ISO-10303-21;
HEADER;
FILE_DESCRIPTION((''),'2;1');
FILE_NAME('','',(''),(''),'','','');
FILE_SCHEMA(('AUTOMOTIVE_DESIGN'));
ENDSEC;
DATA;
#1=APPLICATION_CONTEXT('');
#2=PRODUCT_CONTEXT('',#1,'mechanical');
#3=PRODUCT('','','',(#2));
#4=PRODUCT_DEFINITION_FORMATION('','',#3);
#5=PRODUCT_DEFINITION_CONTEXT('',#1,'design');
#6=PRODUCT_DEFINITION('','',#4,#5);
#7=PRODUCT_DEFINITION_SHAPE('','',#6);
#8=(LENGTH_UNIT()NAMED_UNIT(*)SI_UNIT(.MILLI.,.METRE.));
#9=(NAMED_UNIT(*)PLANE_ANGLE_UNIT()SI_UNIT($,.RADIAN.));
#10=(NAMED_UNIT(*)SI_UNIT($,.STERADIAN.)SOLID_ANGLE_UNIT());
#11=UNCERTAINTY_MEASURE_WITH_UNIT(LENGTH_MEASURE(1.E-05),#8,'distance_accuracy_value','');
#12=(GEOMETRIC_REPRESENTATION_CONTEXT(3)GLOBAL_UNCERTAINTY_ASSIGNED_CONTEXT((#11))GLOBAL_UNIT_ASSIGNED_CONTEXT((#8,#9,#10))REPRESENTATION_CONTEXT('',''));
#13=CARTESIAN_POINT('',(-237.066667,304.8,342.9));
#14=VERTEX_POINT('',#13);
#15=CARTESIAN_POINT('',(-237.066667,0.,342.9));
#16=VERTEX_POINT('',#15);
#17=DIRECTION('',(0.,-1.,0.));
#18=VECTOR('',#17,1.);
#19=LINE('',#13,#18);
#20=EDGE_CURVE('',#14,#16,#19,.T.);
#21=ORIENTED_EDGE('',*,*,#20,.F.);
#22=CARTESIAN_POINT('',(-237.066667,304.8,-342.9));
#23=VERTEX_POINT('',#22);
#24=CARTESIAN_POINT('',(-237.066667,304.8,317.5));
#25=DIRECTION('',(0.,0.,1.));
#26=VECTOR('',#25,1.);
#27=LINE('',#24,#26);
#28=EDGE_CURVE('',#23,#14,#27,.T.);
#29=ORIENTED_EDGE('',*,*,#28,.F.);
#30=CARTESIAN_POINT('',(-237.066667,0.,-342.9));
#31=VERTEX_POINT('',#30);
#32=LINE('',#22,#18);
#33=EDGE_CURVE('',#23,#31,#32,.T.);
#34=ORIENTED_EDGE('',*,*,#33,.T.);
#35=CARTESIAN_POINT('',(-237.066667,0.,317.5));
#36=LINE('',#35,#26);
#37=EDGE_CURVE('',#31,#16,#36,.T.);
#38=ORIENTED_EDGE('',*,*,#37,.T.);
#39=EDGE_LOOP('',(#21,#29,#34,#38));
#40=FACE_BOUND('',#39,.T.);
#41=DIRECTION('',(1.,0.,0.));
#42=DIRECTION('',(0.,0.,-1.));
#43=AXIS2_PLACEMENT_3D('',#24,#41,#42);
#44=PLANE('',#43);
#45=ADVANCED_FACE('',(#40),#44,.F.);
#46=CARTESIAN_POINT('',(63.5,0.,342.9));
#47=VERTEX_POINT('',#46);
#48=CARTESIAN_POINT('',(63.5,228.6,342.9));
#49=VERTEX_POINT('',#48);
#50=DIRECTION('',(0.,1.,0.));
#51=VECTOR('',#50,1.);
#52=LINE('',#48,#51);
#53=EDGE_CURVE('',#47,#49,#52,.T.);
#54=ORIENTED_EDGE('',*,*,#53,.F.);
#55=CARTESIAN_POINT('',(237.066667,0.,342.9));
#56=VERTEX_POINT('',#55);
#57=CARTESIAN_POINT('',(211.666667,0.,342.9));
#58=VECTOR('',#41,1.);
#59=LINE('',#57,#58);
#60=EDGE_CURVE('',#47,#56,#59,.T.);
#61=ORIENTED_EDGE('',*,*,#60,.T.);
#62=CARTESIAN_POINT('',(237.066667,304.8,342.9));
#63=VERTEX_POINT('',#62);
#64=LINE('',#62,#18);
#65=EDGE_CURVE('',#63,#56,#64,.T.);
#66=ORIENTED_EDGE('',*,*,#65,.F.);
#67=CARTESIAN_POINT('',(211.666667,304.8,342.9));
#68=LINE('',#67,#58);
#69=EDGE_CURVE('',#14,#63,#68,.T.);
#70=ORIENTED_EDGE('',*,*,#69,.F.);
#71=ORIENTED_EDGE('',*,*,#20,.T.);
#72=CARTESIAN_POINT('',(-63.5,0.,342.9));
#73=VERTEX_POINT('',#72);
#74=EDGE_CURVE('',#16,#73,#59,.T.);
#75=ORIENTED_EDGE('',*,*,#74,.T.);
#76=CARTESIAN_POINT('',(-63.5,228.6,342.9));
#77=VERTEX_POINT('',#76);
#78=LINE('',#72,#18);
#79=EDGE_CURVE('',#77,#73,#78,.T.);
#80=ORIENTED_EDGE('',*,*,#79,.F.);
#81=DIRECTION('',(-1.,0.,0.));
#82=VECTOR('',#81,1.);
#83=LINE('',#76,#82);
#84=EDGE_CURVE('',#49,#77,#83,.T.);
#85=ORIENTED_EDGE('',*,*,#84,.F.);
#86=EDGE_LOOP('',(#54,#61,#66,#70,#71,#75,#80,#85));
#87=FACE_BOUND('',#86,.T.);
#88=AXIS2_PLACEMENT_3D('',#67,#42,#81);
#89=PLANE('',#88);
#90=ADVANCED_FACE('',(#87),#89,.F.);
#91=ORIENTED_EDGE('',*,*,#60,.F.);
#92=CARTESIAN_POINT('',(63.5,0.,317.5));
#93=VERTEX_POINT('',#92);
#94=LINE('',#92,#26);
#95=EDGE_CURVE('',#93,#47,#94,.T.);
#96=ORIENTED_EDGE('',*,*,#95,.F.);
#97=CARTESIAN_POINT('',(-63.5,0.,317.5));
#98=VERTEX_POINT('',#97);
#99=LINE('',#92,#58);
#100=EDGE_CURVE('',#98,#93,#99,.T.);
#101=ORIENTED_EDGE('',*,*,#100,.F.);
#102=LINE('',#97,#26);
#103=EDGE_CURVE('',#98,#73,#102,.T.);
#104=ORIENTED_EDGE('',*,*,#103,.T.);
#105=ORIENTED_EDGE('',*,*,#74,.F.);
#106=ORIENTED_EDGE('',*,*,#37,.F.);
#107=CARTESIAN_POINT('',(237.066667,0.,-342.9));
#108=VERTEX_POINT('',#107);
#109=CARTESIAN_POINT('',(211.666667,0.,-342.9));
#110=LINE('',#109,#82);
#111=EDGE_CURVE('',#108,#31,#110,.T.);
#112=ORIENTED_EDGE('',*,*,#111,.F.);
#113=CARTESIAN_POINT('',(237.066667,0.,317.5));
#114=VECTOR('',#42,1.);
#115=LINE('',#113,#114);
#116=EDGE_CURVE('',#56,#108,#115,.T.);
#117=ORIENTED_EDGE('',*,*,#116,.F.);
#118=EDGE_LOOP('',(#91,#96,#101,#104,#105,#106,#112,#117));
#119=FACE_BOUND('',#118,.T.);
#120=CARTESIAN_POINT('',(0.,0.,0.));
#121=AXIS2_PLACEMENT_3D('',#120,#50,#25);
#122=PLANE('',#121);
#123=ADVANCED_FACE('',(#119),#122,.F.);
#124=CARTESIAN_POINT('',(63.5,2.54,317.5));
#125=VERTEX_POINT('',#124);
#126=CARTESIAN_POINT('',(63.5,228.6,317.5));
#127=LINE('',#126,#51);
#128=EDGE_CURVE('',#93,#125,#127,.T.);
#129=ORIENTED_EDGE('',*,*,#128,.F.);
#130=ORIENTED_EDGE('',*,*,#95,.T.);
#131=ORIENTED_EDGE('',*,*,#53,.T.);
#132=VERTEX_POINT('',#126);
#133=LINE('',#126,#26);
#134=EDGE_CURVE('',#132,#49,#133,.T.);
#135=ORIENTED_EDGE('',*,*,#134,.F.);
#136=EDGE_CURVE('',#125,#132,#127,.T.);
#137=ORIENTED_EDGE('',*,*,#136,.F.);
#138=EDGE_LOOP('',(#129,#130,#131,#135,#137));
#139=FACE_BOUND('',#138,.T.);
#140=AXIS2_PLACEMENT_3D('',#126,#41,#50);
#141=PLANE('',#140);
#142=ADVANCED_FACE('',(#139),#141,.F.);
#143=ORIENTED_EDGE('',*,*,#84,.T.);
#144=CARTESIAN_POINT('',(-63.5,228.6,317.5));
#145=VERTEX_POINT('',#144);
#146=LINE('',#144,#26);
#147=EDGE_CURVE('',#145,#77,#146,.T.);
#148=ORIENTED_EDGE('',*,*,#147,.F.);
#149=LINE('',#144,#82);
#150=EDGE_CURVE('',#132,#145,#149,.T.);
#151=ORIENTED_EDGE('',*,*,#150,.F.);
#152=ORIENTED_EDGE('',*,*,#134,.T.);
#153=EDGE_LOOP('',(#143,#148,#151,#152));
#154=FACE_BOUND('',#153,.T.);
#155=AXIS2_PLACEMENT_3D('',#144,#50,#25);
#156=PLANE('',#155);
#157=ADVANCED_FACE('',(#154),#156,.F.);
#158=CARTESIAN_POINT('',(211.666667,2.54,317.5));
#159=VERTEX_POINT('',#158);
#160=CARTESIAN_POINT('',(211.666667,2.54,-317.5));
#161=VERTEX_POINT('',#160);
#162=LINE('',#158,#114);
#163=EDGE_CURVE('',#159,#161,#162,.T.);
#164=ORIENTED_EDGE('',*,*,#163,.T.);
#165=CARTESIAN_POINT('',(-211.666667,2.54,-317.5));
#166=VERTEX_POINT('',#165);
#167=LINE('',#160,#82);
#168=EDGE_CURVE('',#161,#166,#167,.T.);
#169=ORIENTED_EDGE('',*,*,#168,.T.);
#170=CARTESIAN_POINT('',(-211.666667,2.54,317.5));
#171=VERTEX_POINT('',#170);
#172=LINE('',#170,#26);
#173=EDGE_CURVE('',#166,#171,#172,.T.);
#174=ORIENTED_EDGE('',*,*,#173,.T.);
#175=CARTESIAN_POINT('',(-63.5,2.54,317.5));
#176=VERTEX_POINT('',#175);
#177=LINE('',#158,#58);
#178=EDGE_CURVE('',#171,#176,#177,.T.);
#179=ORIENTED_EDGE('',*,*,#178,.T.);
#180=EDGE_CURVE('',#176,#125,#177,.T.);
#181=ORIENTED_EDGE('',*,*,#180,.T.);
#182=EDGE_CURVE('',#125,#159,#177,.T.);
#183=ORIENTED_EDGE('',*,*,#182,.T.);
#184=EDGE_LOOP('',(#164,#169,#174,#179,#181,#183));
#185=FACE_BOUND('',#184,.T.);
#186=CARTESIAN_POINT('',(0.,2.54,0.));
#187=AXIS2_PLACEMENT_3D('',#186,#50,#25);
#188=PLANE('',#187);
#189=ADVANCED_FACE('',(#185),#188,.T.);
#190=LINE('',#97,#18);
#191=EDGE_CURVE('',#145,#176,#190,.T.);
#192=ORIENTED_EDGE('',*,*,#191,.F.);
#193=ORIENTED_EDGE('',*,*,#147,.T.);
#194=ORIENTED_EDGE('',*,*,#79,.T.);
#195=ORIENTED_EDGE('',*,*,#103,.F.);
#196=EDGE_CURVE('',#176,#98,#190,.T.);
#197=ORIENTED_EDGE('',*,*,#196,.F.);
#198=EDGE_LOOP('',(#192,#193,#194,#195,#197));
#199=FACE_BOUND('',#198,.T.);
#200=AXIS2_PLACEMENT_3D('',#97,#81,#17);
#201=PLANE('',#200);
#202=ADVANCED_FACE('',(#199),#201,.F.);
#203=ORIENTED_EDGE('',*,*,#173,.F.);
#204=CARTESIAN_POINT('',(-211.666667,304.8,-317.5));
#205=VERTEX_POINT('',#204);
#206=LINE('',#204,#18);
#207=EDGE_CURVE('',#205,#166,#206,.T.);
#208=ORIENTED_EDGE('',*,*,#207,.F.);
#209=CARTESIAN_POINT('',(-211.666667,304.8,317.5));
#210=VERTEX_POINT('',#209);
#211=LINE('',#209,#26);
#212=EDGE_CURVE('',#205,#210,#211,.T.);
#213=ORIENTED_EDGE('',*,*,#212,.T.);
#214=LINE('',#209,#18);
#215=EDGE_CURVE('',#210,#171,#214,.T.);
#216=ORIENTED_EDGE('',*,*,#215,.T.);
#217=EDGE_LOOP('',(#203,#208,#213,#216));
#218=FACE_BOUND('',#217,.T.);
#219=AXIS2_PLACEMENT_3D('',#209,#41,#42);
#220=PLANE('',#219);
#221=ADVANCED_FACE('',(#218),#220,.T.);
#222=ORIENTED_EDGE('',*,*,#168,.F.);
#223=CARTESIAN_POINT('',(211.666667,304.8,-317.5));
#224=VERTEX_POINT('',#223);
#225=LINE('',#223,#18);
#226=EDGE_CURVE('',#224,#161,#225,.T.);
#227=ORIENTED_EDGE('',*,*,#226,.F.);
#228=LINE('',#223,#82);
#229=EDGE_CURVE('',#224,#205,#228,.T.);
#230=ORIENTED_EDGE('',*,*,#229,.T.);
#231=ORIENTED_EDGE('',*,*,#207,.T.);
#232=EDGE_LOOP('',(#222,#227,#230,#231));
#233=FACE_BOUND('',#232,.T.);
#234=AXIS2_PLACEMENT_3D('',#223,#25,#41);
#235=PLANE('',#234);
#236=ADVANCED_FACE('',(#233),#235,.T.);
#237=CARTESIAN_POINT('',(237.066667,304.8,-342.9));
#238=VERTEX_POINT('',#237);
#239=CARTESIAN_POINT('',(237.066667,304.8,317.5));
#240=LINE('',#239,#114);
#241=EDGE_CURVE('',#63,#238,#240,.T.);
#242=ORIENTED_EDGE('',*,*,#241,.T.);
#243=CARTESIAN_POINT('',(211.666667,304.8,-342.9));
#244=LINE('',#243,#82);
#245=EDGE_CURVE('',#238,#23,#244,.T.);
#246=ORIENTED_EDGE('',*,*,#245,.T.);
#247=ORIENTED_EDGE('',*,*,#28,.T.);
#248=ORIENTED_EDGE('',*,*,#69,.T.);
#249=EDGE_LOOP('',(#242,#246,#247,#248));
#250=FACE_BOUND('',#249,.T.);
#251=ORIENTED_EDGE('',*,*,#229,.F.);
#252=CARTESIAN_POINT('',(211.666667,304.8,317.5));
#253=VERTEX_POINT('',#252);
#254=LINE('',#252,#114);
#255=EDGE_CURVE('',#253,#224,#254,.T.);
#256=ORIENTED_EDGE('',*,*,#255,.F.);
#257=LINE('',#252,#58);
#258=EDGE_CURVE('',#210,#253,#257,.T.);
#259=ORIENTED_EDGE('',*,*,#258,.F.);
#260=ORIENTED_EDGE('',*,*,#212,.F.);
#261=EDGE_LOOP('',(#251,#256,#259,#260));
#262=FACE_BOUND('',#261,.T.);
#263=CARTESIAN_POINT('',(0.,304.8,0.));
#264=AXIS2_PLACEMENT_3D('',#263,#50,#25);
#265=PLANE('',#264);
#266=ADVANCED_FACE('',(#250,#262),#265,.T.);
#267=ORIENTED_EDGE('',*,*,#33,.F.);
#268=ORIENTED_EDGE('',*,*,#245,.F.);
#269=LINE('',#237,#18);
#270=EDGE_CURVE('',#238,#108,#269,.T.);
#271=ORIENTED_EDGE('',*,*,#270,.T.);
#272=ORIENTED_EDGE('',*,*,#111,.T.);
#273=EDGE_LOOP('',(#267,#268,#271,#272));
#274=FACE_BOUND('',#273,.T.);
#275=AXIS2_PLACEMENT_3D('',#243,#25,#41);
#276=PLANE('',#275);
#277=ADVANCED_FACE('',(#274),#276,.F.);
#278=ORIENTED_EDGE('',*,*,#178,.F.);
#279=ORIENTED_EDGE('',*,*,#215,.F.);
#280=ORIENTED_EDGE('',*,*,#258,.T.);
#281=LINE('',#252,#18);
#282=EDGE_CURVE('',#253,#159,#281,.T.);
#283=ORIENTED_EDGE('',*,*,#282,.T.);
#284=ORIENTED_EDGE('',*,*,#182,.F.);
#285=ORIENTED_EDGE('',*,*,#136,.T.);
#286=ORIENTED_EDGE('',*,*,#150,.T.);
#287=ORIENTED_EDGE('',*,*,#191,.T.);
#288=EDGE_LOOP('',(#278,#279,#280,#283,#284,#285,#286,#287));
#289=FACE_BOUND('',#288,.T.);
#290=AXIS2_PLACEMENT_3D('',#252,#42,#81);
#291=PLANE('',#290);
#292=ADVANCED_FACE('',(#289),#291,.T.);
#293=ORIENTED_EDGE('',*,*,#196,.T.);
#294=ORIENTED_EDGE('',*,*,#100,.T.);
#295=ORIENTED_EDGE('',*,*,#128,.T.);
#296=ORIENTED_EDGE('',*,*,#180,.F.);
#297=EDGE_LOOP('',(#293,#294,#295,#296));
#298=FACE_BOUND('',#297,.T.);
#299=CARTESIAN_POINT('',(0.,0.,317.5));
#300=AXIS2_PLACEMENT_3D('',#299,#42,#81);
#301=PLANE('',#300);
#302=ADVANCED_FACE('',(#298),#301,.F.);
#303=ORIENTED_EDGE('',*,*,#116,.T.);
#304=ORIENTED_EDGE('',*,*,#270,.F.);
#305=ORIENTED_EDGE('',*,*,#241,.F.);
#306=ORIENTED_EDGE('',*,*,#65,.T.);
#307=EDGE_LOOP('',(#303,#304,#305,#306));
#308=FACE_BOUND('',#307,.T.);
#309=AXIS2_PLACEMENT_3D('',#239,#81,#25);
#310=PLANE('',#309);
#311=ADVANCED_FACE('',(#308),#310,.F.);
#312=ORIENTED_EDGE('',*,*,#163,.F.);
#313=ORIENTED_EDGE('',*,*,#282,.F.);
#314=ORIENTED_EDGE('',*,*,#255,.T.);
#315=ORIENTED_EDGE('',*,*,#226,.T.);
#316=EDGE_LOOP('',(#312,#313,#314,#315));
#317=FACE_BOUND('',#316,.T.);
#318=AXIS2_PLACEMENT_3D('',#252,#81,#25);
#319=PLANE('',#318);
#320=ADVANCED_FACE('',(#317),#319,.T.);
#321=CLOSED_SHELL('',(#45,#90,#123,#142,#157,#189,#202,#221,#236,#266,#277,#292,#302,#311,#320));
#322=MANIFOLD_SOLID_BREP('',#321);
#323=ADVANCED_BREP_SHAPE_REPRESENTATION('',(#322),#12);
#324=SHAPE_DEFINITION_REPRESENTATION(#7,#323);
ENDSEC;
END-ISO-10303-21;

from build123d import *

# Parameters (mm, degrees)
SKETCH1_W           = 474.133333334
SKETCH1_H           = 685.8
SKETCH1_W_2         = 423.333333334
SKETCH1_H_2         = 635
EXTRUDE_THIN1_DEPTH = 304.8
SKETCH1_2_W         = 423.333333334
SKETCH1_2_H         = 635
BOSS_EXTRUDE1_DEPTH = 2.54
SKETCH2_W           = 127
SKETCH2_H           = 228.6
CUT_EXTRUDE1_DEPTH  = 25.4


with BuildPart() as part:
    # Sketch1 → Extrude-Thin1 (new body)
    with BuildSketch(Plane(origin=(0, 0, 0), x_dir=(1, 0, 0), z_dir=(0, 1, 0))):
        Rectangle(SKETCH1_W, SKETCH1_H)
        Rectangle(SKETCH1_W_2, SKETCH1_H_2, mode=Mode.SUBTRACT)
    extrude(amount=EXTRUDE_THIN1_DEPTH)

    # Sketch1<2> → Boss-Extrude1 (add)
    with BuildSketch(Plane(origin=(0, 0, 0), x_dir=(1, 0, 0), z_dir=(0, 1, 0))):
        Rectangle(SKETCH1_2_W, SKETCH1_2_H)
    extrude(amount=BOSS_EXTRUDE1_DEPTH)

    # Sketch2 → Cut-Extrude1 (cut)
    with BuildSketch(Plane.XY.offset(342.9)):
        with Locations((0, 114.3)):
            Rectangle(SKETCH2_W, SKETCH2_H)
    extrude(amount=-CUT_EXTRUDE1_DEPTH, mode=Mode.SUBTRACT)


solid = part.part
